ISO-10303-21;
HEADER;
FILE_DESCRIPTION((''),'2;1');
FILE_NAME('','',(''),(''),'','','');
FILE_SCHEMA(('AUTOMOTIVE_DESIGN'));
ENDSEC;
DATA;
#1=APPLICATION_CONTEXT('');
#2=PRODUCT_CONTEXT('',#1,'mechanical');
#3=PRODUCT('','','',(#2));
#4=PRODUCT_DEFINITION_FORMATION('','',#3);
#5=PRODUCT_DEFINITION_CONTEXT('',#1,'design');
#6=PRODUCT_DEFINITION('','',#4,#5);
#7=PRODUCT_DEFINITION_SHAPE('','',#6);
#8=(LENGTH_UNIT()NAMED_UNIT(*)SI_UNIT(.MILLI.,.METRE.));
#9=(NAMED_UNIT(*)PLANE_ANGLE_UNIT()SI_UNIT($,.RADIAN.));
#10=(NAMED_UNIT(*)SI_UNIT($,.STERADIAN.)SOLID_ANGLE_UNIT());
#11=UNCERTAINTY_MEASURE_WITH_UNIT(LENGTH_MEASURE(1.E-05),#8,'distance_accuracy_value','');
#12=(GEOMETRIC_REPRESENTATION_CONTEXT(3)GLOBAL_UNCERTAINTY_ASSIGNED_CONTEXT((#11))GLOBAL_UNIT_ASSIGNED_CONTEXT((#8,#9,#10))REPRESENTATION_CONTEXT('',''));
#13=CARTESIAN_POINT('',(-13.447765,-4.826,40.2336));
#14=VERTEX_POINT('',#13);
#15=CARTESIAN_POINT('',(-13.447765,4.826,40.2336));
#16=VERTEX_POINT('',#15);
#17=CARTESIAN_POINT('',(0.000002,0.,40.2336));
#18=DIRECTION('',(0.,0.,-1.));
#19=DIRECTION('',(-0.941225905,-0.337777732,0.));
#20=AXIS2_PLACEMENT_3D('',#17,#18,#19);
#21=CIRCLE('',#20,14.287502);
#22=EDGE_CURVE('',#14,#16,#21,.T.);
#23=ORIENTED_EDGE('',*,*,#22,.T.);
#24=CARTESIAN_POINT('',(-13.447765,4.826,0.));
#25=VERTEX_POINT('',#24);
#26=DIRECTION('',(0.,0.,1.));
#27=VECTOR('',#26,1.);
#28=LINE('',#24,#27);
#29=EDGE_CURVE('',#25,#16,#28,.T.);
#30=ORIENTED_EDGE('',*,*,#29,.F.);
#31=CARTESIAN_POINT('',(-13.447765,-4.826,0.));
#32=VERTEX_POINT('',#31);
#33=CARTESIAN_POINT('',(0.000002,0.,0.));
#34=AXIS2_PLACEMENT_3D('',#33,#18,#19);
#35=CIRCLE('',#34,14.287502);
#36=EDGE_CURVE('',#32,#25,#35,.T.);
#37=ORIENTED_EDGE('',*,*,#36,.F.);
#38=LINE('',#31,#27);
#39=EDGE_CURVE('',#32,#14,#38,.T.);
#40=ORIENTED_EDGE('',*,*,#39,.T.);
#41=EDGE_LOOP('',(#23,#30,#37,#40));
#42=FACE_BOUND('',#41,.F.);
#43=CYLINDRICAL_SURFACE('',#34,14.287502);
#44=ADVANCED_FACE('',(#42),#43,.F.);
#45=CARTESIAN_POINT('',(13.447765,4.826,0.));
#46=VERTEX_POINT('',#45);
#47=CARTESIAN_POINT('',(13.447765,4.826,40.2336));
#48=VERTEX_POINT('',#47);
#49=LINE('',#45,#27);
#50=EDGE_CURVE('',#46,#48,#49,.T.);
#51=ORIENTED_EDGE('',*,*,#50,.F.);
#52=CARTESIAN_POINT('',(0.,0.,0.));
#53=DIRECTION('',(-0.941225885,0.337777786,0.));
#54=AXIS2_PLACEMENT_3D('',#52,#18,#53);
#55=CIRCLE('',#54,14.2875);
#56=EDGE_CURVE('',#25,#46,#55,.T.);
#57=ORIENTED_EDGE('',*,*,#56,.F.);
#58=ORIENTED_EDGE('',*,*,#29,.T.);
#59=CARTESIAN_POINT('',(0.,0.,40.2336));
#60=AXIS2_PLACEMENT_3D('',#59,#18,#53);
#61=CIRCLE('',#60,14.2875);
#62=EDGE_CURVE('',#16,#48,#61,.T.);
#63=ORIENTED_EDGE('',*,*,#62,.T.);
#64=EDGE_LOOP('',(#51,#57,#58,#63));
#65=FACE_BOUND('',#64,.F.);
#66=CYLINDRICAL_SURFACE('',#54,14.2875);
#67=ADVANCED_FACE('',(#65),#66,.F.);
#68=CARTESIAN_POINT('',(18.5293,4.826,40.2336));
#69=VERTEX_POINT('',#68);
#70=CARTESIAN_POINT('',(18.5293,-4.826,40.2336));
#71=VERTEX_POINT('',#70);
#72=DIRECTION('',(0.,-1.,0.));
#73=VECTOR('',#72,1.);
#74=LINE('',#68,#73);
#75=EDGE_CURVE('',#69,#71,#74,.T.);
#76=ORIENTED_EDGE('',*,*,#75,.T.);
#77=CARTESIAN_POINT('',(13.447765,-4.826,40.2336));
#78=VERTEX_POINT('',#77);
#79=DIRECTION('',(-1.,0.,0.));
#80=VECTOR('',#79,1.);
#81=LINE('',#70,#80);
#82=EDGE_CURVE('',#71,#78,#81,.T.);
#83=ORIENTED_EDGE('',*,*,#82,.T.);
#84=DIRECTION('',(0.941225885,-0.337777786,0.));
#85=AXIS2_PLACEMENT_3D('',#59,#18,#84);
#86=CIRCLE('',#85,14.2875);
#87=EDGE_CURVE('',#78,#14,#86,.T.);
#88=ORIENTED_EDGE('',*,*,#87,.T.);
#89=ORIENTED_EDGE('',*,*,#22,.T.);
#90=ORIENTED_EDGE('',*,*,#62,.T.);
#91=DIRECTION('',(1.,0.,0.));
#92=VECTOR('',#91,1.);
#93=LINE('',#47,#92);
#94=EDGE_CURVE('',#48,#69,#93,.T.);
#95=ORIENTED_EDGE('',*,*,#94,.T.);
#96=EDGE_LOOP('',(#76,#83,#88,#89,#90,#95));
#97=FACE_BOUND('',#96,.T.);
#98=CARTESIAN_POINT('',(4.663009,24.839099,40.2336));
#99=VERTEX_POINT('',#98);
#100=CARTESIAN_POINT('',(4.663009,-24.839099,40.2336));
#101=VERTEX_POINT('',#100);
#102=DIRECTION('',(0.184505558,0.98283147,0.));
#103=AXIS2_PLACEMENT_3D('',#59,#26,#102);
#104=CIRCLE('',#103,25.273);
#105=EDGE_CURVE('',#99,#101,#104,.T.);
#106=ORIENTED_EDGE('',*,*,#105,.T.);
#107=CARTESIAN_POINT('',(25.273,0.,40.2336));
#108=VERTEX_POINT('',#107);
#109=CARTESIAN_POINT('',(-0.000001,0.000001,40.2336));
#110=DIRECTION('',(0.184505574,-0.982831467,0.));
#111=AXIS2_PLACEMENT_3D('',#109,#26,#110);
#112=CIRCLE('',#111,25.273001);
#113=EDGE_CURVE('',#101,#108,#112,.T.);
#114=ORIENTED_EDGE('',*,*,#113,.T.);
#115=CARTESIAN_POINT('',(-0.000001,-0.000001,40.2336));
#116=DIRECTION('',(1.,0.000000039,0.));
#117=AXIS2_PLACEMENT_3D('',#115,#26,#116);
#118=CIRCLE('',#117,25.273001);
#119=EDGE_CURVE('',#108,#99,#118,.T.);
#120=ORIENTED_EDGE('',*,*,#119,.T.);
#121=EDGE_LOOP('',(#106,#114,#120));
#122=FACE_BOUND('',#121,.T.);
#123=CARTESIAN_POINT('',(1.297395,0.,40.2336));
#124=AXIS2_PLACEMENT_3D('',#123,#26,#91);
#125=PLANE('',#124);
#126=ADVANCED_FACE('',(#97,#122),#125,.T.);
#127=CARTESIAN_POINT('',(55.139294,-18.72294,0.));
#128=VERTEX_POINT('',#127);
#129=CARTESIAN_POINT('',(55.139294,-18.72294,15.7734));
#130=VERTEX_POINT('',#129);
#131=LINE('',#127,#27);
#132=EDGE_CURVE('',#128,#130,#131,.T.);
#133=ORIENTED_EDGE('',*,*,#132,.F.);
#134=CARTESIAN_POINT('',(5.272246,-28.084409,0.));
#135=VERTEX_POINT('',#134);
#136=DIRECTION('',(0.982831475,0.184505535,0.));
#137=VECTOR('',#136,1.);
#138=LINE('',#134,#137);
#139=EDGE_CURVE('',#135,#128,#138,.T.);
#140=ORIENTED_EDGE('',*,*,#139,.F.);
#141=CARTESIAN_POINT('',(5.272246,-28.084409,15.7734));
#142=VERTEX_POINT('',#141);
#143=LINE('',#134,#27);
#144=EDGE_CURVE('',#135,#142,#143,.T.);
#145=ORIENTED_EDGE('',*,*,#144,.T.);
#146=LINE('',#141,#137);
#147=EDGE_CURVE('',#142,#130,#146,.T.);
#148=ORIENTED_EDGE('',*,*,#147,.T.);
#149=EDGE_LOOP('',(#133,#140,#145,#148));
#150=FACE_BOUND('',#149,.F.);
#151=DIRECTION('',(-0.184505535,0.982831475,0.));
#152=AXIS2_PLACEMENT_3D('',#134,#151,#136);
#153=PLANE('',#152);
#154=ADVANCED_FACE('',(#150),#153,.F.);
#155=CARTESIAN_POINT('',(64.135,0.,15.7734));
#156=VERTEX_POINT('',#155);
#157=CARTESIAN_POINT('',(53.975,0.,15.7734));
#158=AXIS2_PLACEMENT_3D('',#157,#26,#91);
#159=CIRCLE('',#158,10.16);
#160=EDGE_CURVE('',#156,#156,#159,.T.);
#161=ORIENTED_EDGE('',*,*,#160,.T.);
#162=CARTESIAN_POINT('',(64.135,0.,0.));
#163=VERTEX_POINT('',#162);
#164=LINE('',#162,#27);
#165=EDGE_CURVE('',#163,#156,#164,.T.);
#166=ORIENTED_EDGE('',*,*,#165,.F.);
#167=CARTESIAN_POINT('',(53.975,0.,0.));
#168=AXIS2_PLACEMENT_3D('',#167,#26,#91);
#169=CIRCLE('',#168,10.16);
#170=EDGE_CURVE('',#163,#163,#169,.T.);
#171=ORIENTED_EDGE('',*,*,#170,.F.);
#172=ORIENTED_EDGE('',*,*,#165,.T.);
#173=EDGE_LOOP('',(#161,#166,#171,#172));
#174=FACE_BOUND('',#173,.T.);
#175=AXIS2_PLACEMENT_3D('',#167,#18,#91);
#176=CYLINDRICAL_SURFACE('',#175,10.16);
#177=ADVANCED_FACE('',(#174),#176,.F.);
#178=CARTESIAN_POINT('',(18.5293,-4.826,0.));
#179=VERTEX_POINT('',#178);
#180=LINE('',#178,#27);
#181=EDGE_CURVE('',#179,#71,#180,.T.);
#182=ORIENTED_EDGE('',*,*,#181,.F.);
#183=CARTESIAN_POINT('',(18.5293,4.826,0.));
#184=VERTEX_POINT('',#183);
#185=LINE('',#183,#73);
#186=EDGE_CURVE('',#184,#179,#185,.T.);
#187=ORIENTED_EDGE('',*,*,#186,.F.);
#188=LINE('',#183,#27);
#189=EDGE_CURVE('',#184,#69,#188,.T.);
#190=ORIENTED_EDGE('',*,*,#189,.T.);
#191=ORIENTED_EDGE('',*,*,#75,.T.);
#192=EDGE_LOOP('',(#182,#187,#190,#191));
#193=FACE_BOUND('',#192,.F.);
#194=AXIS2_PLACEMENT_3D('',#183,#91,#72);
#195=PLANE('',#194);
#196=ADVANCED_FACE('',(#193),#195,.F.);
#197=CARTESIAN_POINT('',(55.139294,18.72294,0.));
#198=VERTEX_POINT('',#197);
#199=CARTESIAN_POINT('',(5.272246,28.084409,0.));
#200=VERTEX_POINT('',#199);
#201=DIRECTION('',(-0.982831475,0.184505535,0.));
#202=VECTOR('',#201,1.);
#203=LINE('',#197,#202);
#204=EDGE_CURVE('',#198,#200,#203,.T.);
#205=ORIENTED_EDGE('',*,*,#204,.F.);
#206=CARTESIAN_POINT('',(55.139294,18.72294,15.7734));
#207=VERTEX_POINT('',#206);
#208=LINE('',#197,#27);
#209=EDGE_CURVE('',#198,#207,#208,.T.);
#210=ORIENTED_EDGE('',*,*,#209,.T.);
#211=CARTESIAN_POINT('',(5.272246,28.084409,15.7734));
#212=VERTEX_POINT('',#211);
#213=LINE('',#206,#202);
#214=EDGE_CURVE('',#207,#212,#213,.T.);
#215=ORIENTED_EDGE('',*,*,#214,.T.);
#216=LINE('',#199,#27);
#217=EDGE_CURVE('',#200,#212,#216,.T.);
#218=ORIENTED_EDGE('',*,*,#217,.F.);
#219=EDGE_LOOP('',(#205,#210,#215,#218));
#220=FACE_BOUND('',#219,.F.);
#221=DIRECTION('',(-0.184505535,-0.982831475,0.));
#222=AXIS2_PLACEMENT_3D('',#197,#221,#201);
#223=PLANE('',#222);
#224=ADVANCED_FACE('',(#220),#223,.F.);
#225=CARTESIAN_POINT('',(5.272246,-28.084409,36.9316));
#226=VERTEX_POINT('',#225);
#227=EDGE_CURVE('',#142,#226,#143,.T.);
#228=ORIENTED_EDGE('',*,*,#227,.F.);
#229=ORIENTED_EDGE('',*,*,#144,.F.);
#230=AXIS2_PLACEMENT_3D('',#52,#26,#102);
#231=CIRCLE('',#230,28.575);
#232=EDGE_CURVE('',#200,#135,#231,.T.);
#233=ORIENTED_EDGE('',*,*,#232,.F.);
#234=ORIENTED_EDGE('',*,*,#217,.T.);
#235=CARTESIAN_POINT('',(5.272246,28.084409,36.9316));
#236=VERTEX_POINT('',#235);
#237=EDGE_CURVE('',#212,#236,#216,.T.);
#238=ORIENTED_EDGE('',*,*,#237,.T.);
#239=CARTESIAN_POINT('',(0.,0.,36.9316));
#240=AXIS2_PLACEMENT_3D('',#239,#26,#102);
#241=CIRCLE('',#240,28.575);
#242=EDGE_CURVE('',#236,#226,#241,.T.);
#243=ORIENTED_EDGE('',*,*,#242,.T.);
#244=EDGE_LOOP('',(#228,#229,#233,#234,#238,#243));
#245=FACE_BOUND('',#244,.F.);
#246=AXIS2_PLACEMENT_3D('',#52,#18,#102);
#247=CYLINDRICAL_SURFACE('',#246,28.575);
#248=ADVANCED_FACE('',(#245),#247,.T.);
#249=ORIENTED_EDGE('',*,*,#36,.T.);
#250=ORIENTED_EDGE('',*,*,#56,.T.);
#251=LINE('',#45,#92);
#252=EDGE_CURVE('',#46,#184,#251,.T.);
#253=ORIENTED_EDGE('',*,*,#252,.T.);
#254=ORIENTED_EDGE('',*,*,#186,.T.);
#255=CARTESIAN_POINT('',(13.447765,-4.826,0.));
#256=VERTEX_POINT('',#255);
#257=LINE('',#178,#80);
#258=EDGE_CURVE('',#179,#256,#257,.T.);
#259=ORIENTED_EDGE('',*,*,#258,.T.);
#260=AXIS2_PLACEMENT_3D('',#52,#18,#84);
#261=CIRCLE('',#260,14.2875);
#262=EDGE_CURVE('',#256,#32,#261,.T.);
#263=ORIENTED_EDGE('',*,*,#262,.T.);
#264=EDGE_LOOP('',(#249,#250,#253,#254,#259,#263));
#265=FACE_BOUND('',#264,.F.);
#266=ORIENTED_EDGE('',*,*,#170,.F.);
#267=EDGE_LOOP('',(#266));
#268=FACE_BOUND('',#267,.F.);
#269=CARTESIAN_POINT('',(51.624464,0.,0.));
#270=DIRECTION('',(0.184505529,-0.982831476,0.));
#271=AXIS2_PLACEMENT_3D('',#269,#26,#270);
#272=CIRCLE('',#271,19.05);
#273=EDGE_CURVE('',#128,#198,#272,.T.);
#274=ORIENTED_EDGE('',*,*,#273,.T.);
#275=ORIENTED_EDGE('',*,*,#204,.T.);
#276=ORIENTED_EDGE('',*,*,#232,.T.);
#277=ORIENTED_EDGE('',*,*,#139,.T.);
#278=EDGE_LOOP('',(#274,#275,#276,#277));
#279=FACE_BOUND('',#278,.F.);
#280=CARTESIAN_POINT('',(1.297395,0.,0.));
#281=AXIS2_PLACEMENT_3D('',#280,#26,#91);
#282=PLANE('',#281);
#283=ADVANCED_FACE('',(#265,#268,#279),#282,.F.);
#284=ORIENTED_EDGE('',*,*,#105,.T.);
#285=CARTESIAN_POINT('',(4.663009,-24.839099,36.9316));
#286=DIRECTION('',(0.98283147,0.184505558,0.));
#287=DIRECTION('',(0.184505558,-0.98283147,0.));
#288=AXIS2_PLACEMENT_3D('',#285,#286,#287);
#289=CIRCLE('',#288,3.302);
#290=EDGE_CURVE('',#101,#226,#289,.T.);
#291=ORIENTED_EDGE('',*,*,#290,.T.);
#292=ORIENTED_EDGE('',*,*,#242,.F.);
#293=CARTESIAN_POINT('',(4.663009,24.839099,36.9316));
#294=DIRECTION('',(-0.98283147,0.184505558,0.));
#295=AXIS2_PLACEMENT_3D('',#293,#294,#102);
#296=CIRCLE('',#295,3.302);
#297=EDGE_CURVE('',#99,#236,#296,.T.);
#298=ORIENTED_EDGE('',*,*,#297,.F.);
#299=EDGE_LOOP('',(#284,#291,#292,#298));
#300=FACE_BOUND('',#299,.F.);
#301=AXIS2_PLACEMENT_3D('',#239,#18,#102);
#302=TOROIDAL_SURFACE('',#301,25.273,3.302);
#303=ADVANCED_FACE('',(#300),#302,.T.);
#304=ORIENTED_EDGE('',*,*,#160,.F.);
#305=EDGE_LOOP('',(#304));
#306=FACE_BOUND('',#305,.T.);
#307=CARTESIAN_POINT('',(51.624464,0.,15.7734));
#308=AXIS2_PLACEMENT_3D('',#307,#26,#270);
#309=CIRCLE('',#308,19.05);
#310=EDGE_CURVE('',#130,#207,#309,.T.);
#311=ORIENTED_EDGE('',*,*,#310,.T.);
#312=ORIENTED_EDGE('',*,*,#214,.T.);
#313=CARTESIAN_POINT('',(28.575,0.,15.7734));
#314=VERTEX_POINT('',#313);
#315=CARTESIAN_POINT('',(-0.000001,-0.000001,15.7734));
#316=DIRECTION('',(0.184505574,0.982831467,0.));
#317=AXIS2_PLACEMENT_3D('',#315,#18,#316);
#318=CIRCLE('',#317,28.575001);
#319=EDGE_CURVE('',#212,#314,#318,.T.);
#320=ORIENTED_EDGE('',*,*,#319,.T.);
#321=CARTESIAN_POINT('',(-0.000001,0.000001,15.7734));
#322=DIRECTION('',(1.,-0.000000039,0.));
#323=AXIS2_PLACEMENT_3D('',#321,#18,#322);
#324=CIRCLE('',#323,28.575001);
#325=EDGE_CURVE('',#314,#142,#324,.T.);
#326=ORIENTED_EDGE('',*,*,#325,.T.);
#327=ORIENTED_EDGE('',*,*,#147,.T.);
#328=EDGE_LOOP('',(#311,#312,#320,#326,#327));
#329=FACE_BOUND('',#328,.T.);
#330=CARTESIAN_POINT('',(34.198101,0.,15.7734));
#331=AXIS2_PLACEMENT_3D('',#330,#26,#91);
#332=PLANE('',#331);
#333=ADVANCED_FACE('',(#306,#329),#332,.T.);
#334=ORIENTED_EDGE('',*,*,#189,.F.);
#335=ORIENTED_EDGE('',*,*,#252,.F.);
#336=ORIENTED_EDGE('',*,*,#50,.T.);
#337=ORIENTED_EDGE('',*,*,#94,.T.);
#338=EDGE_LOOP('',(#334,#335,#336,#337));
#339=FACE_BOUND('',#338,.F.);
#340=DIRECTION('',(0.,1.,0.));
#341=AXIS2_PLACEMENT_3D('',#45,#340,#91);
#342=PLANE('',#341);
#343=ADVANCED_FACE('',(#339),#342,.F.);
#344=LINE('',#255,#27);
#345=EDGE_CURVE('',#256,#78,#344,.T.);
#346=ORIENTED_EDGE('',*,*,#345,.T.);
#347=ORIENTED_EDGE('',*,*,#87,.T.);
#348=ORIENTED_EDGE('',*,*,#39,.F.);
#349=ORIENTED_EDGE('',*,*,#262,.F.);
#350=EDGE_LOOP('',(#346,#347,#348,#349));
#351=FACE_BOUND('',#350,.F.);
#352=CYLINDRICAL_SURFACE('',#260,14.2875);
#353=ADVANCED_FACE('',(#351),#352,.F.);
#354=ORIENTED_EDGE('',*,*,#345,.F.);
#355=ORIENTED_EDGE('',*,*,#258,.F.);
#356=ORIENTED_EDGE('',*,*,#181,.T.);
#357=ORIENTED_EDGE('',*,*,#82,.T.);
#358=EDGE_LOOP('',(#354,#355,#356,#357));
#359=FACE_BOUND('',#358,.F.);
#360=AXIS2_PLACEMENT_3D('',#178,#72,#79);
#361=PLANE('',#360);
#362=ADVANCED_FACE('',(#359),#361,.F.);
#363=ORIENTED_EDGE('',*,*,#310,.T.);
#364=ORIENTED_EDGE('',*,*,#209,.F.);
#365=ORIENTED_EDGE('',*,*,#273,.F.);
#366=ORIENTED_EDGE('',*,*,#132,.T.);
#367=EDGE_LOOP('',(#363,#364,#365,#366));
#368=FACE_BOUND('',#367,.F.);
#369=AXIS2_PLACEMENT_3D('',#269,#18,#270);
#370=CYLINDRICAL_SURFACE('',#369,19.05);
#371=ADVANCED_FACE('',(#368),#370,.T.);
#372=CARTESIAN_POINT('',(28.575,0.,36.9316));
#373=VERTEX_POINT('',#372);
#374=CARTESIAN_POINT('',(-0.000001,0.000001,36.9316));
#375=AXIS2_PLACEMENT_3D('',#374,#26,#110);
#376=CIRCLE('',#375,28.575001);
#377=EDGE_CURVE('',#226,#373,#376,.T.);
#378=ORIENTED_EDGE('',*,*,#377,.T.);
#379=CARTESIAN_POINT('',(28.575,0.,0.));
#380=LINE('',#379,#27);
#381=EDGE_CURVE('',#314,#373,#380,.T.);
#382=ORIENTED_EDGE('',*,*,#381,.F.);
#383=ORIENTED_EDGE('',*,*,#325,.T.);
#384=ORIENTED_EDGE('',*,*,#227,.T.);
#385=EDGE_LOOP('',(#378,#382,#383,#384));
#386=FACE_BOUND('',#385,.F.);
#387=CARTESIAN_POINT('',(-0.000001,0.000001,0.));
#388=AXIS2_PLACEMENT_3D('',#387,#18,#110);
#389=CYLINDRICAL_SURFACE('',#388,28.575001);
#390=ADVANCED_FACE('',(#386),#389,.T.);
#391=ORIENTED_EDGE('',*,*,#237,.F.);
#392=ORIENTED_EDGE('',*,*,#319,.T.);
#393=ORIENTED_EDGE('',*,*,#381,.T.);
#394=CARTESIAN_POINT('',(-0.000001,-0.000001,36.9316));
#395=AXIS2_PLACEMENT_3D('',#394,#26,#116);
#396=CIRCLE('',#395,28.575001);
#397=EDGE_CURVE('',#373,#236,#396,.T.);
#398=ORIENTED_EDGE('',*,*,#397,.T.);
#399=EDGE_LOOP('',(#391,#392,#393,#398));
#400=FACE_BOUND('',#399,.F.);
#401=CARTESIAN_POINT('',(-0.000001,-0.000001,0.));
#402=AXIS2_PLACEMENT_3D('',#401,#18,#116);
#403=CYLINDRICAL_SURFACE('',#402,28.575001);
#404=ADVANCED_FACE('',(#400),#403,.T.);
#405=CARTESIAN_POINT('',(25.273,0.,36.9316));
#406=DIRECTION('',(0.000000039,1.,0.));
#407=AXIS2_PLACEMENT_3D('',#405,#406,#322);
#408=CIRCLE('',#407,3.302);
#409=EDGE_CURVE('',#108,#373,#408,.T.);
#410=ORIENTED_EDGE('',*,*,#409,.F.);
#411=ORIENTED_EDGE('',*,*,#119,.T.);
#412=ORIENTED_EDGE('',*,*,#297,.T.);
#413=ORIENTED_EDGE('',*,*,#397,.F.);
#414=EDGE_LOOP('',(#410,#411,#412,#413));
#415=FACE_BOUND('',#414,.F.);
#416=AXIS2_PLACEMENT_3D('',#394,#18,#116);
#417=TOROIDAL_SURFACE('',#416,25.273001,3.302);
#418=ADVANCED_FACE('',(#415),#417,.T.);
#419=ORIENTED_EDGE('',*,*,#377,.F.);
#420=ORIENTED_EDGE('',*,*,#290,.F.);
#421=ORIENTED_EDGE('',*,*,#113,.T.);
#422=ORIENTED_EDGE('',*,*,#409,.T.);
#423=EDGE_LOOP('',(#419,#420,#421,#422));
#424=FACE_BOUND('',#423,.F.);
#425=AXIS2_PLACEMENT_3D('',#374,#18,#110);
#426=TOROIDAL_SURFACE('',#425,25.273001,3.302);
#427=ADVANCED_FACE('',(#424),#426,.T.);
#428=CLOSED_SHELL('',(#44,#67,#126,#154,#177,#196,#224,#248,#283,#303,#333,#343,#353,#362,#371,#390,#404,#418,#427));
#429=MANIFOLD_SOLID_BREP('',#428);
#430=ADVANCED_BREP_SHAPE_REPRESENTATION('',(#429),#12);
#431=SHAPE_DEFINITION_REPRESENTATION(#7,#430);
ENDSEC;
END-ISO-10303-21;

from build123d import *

# Parameters (mm, degrees)
F0_R     = 10.16
F1_DEPTH = 15.7734
F2_DEPTH = 40.2336
F3_R     = 3.302


with BuildPart() as f1:
    # F0 (on Top) → F1 (new body)
    with BuildSketch(Plane.XY):
        with BuildLine():
            ThreePointArc((5.272246, 28.084409), (21.990737, 18.246591), (28.575, 0))
            ThreePointArc((28.575, 0), (21.990737, -18.246591), (5.272246, -28.084409))
            Line((5.272246, -28.084409), (55.139294, -18.72294))
            ThreePointArc((55.139294, -18.72294), (70.674464, 0), (55.139294, 18.72294))
            Line((55.139294, 18.72294), (5.272246, 28.084409))
        make_face()
        with Locations((53.975, 0)):
            Circle(F0_R, mode=Mode.SUBTRACT)
    extrude(amount=F1_DEPTH)

    # F0 (on Top) → F2 (join)
    with BuildSketch(Plane.XY):
        with BuildLine():
            ThreePointArc((5.272246, -28.084409), (21.990737, -18.246591), (28.575, 0))
            ThreePointArc((28.575, 0), (21.990737, 18.246591), (5.272246, 28.084409))
            ThreePointArc((5.272246, 28.084409), (-28.575, 0), (5.272246, -28.084409))
        make_face()
        with BuildLine():
            ThreePointArc((-13.447765, 4.826), (0, 14.2875), (13.447765, 4.826))
            Line((13.447765, 4.826), (18.5293, 4.826))
            Line((18.5293, 4.826), (18.5293, -4.826))
            Line((18.5293, -4.826), (13.447765, -4.826))
            ThreePointArc((13.447765, -4.826), (0, -14.2875), (-13.447765, -4.826))
            Line((-13.447765, -4.826), (-18.5293, -4.826))
            Line((-18.5293, -4.826), (-18.5293, 4.826))
            Line((-18.5293, 4.826), (-13.447765, 4.826))
        make_face(mode=Mode.SUBTRACT)
        with BuildLine():
            ThreePointArc((-13.447765, -4.826), (-14.2875, 0), (-13.447765, 4.826))
            Line((-13.447765, 4.826), (-18.5293, 4.826))
            Line((-18.5293, 4.826), (-18.5293, -4.826))
            Line((-18.5293, -4.826), (-13.447765, -4.826))
        make_face()
    extrude(amount=F2_DEPTH)

    # F3
    f3_edges = [f1.edges().sort_by_distance(p)[0] for p in [
        (-5.272246, 28.084409, 40.2336),
    ]]
    fillet(f3_edges, radius=F3_R)


solid = f1.part
